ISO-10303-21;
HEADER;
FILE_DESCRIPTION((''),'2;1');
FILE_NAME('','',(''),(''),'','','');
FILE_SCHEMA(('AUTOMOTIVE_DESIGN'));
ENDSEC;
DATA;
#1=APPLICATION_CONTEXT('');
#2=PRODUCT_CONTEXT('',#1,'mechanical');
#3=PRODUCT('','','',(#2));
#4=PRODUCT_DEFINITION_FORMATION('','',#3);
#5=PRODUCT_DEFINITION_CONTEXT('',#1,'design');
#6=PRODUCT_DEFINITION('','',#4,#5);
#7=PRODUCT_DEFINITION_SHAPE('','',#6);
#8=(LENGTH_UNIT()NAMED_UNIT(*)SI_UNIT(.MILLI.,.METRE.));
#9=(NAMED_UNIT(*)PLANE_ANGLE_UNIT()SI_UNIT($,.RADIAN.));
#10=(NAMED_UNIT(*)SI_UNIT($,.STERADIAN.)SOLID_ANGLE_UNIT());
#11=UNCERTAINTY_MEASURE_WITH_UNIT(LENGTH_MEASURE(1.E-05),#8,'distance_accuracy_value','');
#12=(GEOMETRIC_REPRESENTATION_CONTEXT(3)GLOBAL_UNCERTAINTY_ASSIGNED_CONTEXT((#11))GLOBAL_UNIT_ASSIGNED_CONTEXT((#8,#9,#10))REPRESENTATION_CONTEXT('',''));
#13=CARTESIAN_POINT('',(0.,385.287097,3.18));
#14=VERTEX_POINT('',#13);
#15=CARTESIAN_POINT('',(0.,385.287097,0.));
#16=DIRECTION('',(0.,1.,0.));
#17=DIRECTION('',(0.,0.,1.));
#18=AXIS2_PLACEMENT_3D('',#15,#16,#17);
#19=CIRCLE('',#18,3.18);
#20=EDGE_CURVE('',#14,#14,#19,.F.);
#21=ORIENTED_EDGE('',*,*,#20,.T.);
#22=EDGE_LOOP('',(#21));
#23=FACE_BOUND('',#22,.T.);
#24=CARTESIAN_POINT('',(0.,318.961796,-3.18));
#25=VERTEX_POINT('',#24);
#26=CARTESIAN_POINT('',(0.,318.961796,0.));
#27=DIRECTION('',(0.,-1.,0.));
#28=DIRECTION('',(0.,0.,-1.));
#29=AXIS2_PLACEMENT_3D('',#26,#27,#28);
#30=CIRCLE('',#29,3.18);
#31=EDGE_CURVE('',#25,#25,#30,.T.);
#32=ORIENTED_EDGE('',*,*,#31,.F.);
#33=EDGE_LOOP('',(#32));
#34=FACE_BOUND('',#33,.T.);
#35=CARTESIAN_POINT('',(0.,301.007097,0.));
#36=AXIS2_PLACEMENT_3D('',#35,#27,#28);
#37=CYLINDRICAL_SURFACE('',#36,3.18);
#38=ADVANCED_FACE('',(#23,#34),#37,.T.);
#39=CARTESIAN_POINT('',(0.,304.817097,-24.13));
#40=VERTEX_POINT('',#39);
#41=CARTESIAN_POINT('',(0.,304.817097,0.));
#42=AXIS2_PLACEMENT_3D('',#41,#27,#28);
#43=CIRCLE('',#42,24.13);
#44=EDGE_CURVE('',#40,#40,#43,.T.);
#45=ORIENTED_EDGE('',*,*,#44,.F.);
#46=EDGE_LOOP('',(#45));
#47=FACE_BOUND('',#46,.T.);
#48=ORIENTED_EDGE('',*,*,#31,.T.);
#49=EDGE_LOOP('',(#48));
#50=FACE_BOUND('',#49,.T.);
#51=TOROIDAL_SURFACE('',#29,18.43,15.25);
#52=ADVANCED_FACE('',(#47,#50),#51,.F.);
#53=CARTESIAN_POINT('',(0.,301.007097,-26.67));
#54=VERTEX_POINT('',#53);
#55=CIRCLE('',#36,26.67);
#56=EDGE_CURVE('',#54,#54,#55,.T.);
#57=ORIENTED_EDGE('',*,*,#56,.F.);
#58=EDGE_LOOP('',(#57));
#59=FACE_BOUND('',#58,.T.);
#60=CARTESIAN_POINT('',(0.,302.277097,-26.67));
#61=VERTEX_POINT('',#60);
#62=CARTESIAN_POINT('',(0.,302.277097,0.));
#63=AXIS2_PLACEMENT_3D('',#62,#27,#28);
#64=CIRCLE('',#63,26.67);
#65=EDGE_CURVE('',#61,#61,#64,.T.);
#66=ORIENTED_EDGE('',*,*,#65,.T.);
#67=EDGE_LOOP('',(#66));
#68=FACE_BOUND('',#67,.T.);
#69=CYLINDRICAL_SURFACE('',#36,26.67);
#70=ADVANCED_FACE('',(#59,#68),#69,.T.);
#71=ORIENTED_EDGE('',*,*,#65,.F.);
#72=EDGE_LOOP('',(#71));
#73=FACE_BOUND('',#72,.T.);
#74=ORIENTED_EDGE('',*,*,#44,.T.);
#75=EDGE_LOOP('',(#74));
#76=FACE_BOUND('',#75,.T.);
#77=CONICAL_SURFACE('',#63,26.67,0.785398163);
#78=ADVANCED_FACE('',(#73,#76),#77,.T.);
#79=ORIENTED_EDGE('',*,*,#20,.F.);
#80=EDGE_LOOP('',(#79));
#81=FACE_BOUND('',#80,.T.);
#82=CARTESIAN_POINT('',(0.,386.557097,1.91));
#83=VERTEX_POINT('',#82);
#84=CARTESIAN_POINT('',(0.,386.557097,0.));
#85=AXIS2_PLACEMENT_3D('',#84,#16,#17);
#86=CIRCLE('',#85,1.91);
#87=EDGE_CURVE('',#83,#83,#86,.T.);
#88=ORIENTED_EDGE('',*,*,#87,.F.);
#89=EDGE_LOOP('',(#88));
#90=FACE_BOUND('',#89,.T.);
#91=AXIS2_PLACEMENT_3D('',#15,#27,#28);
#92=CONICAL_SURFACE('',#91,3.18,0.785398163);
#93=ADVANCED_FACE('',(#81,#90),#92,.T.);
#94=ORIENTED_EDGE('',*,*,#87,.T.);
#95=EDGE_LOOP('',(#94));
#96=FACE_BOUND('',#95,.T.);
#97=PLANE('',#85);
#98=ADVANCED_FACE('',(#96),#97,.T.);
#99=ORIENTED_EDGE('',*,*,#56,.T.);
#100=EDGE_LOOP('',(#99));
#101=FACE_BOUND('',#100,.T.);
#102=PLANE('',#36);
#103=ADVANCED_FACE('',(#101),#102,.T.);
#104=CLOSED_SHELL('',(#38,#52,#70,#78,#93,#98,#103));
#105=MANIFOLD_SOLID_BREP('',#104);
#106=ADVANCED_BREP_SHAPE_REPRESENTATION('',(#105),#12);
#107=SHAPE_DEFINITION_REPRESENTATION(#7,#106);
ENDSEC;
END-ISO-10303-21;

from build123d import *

# Parameters (mm, degrees)
CHAMFER1_SIZE = 32.258
SCALE1_SCALE  = 0.039370079


with BuildPart() as part:
    # Sketch1 → Revolve1 (revolve)
    with BuildSketch(Plane(origin=(0, 0, 0), x_dir=(0, 0, -1), z_dir=(1, 0, 0))):
        with BuildLine():
            Line((0, 0), (0, 2172.97))
            Line((0, 2172.97), (80.772, 2172.97))
            Line((80.772, 2172.97), (80.772, 456.0493458))
            ThreePointArc((80.772, 456.0493458), (251.373886398, 135.019319557), (612.902, 96.774))
            Line((612.902, 96.774), (677.418, 32.258))
            Line((677.418, 32.258), (677.418, 0))
            Line((677.418, 0), (0, 0))
        make_face()
    revolve(axis=Axis((0, 0, 0), (0, 1, 0)))

    # Chamfer1
    chamfer1_edges = [part.edges().sort_by_distance(p)[0] for p in [
        (0, 2172.97, 80.772),
    ]]
    chamfer(chamfer1_edges, length=CHAMFER1_SIZE)


with BuildPart() as part_1:
    # Scale1: scaled about (0, 313.343453497, 0)
    add(part.part.scale(SCALE1_SCALE).moved(Location((0, 301.00709706, 0))))


solid = part_1.part
